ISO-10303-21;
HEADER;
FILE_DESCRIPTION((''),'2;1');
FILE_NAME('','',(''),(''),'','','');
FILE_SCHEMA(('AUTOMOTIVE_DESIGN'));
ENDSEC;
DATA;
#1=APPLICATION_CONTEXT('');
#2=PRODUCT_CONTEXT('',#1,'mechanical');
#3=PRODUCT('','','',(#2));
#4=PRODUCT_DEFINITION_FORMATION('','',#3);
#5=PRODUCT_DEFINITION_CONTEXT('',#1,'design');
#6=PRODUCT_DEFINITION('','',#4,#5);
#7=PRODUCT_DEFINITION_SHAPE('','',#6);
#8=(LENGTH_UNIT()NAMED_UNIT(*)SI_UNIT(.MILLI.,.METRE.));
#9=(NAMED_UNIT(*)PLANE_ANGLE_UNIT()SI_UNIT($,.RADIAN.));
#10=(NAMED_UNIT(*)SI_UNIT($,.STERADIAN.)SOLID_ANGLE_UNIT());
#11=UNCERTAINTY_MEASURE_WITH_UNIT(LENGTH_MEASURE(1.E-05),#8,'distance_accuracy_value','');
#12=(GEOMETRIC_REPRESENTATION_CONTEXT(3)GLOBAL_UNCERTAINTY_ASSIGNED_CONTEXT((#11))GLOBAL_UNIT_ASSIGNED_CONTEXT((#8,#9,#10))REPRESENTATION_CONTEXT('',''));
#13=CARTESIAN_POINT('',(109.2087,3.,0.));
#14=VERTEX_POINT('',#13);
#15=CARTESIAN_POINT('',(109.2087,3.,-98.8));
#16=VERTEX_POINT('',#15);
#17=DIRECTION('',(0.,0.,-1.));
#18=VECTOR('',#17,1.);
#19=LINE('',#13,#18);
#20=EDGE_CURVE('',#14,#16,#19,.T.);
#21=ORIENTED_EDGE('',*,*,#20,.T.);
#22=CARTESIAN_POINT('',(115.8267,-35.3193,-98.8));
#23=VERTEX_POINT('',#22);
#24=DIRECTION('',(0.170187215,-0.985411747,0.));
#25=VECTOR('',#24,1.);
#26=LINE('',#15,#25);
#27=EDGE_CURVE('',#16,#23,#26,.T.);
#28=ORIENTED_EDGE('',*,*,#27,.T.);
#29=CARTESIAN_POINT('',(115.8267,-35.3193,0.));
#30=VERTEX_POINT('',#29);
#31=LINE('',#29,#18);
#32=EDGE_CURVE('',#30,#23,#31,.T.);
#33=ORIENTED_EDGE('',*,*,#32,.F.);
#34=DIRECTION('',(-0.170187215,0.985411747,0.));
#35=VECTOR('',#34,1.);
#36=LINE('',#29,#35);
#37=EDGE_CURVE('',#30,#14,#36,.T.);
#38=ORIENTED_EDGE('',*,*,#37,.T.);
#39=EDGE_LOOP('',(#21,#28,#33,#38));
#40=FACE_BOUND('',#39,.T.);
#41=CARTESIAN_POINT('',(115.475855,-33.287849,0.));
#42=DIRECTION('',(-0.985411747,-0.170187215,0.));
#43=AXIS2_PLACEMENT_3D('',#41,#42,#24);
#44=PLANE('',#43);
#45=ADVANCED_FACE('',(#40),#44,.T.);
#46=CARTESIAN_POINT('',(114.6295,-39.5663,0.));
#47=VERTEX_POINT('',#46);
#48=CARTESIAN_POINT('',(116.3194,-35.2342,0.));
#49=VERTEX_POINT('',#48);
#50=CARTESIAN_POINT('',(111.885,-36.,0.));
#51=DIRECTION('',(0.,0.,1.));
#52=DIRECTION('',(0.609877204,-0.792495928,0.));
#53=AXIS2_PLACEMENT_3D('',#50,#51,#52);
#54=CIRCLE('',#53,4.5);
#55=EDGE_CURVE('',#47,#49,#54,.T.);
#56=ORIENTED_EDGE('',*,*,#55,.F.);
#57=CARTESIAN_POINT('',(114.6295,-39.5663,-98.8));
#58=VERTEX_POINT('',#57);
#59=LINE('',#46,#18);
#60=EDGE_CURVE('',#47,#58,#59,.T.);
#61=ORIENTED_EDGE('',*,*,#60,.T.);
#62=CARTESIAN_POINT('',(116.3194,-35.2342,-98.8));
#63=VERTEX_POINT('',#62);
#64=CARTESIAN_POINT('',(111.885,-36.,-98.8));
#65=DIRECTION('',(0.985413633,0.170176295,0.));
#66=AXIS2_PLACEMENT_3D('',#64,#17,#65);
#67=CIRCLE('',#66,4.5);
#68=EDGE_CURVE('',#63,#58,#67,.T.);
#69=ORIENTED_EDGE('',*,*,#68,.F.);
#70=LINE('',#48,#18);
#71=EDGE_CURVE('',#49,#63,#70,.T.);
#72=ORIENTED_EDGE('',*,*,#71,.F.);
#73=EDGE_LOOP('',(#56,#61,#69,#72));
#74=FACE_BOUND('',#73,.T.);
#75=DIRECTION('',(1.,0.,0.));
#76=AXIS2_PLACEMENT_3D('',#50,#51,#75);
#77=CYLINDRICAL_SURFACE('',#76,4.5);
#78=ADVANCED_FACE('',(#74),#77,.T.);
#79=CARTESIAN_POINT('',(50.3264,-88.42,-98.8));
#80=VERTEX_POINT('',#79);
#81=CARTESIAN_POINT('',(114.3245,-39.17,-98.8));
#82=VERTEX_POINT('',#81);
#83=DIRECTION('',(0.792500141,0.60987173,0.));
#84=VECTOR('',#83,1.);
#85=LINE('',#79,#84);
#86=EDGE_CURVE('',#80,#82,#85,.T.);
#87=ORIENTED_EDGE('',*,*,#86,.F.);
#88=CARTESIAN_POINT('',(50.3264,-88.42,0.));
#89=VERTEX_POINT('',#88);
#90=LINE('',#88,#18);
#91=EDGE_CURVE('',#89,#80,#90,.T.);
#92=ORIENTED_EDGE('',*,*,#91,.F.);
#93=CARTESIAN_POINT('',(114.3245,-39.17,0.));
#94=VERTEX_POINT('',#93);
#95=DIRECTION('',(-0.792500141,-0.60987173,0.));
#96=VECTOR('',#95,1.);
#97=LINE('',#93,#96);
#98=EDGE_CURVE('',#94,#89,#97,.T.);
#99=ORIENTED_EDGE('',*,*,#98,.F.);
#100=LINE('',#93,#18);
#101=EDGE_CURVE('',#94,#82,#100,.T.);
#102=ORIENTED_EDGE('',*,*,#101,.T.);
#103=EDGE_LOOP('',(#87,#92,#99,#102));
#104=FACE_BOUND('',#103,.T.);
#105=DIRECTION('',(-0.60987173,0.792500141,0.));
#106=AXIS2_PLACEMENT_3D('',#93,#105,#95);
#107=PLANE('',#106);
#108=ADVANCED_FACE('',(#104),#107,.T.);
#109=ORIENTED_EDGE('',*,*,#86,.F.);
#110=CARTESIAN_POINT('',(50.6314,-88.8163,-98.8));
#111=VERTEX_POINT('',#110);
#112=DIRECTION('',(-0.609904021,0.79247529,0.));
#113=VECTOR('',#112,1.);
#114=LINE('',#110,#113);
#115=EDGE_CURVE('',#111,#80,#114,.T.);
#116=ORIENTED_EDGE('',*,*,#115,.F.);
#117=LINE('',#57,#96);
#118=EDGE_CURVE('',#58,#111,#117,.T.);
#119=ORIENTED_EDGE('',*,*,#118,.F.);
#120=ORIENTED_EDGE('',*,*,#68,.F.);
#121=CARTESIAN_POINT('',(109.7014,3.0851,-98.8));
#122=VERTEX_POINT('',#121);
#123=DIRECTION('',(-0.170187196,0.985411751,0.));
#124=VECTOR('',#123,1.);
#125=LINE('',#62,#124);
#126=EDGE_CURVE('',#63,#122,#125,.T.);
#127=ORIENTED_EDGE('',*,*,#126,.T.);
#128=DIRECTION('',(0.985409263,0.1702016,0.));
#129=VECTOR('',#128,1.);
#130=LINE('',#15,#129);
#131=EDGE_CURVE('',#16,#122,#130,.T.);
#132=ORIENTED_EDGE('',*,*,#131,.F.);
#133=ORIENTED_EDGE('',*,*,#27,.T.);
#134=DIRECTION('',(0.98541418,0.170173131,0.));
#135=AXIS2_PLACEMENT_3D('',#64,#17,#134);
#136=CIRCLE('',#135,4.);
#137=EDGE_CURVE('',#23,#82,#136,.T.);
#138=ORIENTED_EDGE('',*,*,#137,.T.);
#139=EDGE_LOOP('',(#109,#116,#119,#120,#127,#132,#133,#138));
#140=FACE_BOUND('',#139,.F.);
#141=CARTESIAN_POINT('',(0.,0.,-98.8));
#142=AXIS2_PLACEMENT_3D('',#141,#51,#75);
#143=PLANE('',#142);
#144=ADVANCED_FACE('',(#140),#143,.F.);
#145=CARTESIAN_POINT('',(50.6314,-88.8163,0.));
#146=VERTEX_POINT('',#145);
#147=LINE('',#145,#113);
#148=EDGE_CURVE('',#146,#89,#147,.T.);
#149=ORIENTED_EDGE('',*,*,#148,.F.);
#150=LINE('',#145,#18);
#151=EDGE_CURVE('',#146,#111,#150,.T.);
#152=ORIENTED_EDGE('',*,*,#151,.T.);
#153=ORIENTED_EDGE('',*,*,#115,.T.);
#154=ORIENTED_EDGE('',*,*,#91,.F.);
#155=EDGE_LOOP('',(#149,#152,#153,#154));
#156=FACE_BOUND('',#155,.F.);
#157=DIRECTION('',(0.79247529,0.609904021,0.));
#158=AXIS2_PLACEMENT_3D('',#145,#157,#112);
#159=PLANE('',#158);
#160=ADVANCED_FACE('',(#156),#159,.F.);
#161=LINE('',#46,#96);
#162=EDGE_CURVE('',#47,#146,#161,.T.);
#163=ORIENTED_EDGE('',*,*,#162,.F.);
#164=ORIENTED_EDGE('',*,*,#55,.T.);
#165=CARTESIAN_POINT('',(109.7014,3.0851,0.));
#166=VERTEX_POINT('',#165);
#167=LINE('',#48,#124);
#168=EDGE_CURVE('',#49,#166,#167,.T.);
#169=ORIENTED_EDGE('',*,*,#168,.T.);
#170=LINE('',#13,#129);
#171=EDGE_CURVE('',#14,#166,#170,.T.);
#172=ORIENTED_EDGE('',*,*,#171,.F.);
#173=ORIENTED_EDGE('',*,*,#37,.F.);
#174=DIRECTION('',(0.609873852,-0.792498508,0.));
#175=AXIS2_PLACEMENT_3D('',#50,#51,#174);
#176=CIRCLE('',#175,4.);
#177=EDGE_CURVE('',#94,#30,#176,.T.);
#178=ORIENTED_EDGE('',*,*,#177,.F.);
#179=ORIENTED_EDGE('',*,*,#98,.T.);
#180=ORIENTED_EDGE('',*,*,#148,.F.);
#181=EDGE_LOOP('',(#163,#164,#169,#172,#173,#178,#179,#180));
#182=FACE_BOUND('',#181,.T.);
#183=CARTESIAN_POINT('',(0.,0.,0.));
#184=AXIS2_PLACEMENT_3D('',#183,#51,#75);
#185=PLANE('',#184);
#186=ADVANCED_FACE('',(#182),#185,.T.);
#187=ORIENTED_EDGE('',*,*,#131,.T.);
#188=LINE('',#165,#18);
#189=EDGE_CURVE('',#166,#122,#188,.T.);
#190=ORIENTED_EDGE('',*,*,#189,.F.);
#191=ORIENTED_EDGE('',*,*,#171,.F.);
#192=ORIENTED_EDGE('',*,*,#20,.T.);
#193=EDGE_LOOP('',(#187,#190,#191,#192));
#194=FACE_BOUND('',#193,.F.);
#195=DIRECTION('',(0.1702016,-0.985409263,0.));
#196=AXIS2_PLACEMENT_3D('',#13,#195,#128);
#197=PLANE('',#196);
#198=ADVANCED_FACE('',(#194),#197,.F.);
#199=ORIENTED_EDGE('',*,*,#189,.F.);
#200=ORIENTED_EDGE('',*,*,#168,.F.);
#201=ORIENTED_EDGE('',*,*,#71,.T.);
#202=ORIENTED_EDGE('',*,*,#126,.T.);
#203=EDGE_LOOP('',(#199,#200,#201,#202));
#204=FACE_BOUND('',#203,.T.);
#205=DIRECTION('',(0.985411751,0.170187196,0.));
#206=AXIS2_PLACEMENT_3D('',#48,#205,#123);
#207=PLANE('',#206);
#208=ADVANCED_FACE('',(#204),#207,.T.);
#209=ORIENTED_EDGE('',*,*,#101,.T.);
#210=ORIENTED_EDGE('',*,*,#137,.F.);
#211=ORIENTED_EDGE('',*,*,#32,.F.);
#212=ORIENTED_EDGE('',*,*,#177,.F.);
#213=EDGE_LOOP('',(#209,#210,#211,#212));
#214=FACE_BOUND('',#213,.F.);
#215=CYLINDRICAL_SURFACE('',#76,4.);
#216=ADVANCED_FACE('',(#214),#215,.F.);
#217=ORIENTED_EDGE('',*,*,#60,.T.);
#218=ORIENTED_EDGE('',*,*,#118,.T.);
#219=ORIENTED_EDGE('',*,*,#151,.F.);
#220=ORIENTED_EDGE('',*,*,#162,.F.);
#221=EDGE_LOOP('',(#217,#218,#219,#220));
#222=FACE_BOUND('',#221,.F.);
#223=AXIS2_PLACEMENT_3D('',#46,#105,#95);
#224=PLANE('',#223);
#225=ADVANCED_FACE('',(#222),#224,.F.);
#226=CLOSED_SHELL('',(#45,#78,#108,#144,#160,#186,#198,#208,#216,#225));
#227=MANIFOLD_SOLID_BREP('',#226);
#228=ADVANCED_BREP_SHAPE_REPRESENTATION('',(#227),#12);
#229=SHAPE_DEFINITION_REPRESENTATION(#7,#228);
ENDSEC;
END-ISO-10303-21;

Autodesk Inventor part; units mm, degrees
ref_plane "YZ Plane" through (0, 0, 0) normal (1, 0, 0) x (0, 1, 0)
ref_plane "XZ Plane" through (0, 0, 0) normal (0, 1, 0) x (-1, 0, 0)
ref_plane "XY Plane" through (0, 0, 0) normal (0, 0, 1) x (1, 0, 0)
sketch "スケッチ1" plane through (0, 0, 0) normal (0, 0, 1) x (1, 0, 0)
  line L0 (109.2087, 3) -> (109.2087, 0)
  line L1 (109.2087, -3) -> (109.2087, 0)
  circle A0 centre (111.885, -36) radius 4
  circle A1 centre (47.8869, -85.25) radius 4
  line L2 (109.2087, 3) -> (115.8267, -35.3193)
  line L3 (114.3245, -39.17) -> (50.3264, -88.42)
  line L4 (116.3194, -35.2342) -> (108.7087, 8.833)
  line L5 (108.7087, 8.833) -> (108.7087, 0)
  line L6 (114.6295, -39.5663) -> (50.6314, -88.8163)
  circle A2 centre (111.885, -36) radius 4.5
  line L7 (50.6314, -88.8163) -> (50.3264, -88.42)
  line L8 (109.2087, 3) -> (109.7014, 3.0851)
  point P0 (0, 0)
  dimension "d0" = 0.5
  dimension "d1" = 0.5
  dimension "d2" = 0.5
extrude "押し出し1" add sketch "スケッチ1" against normal blind 98.8 contours A0 L2 A2 L3 | L2 L8 L4 A2 | A2 L6 L7 L3 picked at (113.4651, -39.9472)
properties part number "機体ケツ防護カバー" material "ポリカーボネート、クリア"
